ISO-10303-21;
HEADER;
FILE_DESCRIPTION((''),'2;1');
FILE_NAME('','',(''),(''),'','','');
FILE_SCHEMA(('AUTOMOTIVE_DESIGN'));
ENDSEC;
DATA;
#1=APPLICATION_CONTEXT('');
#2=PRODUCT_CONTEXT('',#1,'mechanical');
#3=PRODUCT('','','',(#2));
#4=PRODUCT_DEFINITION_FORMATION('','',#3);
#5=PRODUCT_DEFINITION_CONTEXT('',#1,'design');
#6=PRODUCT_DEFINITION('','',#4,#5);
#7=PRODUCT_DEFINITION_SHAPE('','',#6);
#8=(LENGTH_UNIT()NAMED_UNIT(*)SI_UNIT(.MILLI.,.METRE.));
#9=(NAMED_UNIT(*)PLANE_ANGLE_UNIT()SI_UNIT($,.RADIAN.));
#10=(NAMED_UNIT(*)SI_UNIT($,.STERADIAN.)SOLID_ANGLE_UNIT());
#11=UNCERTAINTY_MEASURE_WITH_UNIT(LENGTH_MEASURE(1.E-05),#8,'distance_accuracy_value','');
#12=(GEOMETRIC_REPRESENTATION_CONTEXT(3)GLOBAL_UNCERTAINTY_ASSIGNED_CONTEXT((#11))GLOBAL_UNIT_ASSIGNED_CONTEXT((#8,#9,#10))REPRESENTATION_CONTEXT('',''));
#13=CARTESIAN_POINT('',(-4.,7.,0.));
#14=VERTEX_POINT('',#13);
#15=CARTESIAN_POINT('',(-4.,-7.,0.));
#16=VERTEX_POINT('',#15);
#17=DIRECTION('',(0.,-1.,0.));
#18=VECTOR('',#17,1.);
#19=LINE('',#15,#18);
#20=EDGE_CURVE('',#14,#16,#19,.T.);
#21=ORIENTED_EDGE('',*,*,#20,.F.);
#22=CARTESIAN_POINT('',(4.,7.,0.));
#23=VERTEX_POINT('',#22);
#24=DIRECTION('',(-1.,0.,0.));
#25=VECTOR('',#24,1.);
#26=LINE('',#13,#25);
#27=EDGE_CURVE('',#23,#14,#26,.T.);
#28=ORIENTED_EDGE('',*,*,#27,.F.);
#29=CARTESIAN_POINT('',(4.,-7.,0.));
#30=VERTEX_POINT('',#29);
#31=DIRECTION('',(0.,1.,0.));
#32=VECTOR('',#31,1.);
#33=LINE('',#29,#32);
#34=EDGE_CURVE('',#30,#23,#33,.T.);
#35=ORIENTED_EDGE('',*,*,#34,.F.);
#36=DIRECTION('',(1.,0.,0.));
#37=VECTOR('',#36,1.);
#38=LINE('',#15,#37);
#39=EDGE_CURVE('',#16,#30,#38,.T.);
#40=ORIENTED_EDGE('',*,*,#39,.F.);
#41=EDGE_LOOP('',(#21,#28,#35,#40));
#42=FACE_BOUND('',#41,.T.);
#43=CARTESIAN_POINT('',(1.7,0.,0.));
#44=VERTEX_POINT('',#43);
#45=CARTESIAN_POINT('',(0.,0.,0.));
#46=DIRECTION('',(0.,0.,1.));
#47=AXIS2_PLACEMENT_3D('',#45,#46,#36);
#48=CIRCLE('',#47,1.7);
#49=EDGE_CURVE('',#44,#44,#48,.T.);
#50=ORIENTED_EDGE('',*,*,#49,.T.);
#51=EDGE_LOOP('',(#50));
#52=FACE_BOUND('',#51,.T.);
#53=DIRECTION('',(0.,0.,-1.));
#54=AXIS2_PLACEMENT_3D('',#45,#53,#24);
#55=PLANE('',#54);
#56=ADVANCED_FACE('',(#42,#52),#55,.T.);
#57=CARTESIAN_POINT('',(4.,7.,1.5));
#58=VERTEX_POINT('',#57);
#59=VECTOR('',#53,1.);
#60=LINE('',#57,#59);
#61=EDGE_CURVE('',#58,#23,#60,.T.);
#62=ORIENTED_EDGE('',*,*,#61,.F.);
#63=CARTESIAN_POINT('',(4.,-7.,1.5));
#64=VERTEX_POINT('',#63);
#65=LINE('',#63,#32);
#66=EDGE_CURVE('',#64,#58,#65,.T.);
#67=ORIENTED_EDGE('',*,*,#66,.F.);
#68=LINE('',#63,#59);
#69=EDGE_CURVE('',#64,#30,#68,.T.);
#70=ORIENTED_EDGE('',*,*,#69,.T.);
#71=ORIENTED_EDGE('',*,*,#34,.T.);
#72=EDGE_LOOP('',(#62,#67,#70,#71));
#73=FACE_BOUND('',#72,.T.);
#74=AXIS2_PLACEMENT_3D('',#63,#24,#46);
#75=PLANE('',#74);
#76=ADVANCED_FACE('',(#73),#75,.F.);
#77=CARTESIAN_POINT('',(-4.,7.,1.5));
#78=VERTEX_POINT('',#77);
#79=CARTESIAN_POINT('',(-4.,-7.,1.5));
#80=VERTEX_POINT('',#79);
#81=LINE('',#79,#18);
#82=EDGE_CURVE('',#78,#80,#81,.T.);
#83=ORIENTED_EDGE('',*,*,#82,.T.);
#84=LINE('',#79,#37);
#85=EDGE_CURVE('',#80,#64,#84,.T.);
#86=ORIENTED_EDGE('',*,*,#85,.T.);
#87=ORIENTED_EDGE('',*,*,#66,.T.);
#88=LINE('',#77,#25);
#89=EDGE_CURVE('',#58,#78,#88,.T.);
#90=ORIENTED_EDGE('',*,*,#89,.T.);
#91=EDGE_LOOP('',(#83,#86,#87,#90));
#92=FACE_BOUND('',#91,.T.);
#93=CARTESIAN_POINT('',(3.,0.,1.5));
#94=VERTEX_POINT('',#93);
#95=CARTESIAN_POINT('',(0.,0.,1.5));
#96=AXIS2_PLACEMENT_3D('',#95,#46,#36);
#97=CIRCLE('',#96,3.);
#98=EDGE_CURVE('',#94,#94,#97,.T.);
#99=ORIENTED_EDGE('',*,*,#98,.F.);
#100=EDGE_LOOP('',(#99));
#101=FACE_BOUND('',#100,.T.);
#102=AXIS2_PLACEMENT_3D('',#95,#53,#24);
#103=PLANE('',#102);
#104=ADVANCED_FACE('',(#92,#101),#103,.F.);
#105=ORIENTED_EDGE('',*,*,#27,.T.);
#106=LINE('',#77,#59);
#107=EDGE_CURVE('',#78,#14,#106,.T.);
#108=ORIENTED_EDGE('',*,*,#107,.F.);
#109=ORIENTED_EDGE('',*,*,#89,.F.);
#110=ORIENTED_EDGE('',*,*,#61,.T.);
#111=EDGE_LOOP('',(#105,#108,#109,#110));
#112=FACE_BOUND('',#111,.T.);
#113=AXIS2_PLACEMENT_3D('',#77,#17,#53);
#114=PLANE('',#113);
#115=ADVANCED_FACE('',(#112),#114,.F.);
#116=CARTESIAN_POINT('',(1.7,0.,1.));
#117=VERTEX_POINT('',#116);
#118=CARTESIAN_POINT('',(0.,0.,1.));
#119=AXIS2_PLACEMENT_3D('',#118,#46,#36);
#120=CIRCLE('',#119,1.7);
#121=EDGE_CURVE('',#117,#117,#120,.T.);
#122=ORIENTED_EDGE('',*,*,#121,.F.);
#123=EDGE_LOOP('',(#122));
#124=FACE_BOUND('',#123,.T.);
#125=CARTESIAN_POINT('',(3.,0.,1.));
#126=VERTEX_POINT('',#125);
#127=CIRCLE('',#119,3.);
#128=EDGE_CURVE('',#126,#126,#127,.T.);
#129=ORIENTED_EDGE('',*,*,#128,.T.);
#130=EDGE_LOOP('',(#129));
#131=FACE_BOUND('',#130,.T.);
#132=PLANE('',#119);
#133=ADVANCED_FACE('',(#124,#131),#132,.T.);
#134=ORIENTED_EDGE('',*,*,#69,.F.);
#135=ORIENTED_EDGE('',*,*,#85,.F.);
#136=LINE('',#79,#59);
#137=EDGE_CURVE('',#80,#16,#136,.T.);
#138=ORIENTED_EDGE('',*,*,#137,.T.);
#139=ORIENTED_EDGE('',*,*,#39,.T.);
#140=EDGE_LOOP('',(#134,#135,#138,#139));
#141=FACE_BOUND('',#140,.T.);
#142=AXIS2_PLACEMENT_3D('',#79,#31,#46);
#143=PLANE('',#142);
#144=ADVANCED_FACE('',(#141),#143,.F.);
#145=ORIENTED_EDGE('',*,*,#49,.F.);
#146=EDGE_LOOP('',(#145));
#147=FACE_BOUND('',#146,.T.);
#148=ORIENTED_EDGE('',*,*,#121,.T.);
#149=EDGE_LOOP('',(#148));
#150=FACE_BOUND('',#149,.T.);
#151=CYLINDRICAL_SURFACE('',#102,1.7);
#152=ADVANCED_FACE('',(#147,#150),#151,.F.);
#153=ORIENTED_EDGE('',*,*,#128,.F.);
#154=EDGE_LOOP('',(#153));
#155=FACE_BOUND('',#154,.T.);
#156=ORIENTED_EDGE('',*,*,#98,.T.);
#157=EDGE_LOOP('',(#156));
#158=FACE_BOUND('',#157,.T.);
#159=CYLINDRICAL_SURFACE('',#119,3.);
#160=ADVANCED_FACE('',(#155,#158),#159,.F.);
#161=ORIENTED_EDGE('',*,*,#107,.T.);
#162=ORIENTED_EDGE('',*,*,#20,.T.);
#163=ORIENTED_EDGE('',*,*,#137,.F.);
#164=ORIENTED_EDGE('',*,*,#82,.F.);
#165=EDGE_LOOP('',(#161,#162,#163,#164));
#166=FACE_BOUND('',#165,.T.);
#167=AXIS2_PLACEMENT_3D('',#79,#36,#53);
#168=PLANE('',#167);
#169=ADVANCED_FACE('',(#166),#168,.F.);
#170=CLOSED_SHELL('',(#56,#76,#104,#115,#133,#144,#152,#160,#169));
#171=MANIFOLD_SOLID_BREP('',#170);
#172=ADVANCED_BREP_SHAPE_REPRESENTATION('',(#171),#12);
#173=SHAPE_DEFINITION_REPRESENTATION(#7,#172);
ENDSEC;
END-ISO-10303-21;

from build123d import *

# Parameters (mm, degrees)
SKETCH_1_W          = 8
SKETCH_1_H          = 14
SKETCH_1_R          = 1.7
EXTRUDE_1_DEPTH     = 1.5
SKETCH_2_R          = 3
CUT_EXTRUDE_1_DEPTH = 0.5


with BuildPart() as part:
    # Эскиз1 → Бобышка-Вытянуть1 (new body)
    with BuildSketch(Plane.XY):
        Rectangle(SKETCH_1_W, SKETCH_1_H)
        Circle(SKETCH_1_R, mode=Mode.SUBTRACT)
    extrude(amount=EXTRUDE_1_DEPTH)

    # Эскиз2 → Вырез-Вытянуть1 (cut)
    with BuildSketch(Plane.XY.offset(1.5)):
        Circle(SKETCH_2_R)
    extrude(amount=-CUT_EXTRUDE_1_DEPTH, mode=Mode.SUBTRACT)


solid = part.part
